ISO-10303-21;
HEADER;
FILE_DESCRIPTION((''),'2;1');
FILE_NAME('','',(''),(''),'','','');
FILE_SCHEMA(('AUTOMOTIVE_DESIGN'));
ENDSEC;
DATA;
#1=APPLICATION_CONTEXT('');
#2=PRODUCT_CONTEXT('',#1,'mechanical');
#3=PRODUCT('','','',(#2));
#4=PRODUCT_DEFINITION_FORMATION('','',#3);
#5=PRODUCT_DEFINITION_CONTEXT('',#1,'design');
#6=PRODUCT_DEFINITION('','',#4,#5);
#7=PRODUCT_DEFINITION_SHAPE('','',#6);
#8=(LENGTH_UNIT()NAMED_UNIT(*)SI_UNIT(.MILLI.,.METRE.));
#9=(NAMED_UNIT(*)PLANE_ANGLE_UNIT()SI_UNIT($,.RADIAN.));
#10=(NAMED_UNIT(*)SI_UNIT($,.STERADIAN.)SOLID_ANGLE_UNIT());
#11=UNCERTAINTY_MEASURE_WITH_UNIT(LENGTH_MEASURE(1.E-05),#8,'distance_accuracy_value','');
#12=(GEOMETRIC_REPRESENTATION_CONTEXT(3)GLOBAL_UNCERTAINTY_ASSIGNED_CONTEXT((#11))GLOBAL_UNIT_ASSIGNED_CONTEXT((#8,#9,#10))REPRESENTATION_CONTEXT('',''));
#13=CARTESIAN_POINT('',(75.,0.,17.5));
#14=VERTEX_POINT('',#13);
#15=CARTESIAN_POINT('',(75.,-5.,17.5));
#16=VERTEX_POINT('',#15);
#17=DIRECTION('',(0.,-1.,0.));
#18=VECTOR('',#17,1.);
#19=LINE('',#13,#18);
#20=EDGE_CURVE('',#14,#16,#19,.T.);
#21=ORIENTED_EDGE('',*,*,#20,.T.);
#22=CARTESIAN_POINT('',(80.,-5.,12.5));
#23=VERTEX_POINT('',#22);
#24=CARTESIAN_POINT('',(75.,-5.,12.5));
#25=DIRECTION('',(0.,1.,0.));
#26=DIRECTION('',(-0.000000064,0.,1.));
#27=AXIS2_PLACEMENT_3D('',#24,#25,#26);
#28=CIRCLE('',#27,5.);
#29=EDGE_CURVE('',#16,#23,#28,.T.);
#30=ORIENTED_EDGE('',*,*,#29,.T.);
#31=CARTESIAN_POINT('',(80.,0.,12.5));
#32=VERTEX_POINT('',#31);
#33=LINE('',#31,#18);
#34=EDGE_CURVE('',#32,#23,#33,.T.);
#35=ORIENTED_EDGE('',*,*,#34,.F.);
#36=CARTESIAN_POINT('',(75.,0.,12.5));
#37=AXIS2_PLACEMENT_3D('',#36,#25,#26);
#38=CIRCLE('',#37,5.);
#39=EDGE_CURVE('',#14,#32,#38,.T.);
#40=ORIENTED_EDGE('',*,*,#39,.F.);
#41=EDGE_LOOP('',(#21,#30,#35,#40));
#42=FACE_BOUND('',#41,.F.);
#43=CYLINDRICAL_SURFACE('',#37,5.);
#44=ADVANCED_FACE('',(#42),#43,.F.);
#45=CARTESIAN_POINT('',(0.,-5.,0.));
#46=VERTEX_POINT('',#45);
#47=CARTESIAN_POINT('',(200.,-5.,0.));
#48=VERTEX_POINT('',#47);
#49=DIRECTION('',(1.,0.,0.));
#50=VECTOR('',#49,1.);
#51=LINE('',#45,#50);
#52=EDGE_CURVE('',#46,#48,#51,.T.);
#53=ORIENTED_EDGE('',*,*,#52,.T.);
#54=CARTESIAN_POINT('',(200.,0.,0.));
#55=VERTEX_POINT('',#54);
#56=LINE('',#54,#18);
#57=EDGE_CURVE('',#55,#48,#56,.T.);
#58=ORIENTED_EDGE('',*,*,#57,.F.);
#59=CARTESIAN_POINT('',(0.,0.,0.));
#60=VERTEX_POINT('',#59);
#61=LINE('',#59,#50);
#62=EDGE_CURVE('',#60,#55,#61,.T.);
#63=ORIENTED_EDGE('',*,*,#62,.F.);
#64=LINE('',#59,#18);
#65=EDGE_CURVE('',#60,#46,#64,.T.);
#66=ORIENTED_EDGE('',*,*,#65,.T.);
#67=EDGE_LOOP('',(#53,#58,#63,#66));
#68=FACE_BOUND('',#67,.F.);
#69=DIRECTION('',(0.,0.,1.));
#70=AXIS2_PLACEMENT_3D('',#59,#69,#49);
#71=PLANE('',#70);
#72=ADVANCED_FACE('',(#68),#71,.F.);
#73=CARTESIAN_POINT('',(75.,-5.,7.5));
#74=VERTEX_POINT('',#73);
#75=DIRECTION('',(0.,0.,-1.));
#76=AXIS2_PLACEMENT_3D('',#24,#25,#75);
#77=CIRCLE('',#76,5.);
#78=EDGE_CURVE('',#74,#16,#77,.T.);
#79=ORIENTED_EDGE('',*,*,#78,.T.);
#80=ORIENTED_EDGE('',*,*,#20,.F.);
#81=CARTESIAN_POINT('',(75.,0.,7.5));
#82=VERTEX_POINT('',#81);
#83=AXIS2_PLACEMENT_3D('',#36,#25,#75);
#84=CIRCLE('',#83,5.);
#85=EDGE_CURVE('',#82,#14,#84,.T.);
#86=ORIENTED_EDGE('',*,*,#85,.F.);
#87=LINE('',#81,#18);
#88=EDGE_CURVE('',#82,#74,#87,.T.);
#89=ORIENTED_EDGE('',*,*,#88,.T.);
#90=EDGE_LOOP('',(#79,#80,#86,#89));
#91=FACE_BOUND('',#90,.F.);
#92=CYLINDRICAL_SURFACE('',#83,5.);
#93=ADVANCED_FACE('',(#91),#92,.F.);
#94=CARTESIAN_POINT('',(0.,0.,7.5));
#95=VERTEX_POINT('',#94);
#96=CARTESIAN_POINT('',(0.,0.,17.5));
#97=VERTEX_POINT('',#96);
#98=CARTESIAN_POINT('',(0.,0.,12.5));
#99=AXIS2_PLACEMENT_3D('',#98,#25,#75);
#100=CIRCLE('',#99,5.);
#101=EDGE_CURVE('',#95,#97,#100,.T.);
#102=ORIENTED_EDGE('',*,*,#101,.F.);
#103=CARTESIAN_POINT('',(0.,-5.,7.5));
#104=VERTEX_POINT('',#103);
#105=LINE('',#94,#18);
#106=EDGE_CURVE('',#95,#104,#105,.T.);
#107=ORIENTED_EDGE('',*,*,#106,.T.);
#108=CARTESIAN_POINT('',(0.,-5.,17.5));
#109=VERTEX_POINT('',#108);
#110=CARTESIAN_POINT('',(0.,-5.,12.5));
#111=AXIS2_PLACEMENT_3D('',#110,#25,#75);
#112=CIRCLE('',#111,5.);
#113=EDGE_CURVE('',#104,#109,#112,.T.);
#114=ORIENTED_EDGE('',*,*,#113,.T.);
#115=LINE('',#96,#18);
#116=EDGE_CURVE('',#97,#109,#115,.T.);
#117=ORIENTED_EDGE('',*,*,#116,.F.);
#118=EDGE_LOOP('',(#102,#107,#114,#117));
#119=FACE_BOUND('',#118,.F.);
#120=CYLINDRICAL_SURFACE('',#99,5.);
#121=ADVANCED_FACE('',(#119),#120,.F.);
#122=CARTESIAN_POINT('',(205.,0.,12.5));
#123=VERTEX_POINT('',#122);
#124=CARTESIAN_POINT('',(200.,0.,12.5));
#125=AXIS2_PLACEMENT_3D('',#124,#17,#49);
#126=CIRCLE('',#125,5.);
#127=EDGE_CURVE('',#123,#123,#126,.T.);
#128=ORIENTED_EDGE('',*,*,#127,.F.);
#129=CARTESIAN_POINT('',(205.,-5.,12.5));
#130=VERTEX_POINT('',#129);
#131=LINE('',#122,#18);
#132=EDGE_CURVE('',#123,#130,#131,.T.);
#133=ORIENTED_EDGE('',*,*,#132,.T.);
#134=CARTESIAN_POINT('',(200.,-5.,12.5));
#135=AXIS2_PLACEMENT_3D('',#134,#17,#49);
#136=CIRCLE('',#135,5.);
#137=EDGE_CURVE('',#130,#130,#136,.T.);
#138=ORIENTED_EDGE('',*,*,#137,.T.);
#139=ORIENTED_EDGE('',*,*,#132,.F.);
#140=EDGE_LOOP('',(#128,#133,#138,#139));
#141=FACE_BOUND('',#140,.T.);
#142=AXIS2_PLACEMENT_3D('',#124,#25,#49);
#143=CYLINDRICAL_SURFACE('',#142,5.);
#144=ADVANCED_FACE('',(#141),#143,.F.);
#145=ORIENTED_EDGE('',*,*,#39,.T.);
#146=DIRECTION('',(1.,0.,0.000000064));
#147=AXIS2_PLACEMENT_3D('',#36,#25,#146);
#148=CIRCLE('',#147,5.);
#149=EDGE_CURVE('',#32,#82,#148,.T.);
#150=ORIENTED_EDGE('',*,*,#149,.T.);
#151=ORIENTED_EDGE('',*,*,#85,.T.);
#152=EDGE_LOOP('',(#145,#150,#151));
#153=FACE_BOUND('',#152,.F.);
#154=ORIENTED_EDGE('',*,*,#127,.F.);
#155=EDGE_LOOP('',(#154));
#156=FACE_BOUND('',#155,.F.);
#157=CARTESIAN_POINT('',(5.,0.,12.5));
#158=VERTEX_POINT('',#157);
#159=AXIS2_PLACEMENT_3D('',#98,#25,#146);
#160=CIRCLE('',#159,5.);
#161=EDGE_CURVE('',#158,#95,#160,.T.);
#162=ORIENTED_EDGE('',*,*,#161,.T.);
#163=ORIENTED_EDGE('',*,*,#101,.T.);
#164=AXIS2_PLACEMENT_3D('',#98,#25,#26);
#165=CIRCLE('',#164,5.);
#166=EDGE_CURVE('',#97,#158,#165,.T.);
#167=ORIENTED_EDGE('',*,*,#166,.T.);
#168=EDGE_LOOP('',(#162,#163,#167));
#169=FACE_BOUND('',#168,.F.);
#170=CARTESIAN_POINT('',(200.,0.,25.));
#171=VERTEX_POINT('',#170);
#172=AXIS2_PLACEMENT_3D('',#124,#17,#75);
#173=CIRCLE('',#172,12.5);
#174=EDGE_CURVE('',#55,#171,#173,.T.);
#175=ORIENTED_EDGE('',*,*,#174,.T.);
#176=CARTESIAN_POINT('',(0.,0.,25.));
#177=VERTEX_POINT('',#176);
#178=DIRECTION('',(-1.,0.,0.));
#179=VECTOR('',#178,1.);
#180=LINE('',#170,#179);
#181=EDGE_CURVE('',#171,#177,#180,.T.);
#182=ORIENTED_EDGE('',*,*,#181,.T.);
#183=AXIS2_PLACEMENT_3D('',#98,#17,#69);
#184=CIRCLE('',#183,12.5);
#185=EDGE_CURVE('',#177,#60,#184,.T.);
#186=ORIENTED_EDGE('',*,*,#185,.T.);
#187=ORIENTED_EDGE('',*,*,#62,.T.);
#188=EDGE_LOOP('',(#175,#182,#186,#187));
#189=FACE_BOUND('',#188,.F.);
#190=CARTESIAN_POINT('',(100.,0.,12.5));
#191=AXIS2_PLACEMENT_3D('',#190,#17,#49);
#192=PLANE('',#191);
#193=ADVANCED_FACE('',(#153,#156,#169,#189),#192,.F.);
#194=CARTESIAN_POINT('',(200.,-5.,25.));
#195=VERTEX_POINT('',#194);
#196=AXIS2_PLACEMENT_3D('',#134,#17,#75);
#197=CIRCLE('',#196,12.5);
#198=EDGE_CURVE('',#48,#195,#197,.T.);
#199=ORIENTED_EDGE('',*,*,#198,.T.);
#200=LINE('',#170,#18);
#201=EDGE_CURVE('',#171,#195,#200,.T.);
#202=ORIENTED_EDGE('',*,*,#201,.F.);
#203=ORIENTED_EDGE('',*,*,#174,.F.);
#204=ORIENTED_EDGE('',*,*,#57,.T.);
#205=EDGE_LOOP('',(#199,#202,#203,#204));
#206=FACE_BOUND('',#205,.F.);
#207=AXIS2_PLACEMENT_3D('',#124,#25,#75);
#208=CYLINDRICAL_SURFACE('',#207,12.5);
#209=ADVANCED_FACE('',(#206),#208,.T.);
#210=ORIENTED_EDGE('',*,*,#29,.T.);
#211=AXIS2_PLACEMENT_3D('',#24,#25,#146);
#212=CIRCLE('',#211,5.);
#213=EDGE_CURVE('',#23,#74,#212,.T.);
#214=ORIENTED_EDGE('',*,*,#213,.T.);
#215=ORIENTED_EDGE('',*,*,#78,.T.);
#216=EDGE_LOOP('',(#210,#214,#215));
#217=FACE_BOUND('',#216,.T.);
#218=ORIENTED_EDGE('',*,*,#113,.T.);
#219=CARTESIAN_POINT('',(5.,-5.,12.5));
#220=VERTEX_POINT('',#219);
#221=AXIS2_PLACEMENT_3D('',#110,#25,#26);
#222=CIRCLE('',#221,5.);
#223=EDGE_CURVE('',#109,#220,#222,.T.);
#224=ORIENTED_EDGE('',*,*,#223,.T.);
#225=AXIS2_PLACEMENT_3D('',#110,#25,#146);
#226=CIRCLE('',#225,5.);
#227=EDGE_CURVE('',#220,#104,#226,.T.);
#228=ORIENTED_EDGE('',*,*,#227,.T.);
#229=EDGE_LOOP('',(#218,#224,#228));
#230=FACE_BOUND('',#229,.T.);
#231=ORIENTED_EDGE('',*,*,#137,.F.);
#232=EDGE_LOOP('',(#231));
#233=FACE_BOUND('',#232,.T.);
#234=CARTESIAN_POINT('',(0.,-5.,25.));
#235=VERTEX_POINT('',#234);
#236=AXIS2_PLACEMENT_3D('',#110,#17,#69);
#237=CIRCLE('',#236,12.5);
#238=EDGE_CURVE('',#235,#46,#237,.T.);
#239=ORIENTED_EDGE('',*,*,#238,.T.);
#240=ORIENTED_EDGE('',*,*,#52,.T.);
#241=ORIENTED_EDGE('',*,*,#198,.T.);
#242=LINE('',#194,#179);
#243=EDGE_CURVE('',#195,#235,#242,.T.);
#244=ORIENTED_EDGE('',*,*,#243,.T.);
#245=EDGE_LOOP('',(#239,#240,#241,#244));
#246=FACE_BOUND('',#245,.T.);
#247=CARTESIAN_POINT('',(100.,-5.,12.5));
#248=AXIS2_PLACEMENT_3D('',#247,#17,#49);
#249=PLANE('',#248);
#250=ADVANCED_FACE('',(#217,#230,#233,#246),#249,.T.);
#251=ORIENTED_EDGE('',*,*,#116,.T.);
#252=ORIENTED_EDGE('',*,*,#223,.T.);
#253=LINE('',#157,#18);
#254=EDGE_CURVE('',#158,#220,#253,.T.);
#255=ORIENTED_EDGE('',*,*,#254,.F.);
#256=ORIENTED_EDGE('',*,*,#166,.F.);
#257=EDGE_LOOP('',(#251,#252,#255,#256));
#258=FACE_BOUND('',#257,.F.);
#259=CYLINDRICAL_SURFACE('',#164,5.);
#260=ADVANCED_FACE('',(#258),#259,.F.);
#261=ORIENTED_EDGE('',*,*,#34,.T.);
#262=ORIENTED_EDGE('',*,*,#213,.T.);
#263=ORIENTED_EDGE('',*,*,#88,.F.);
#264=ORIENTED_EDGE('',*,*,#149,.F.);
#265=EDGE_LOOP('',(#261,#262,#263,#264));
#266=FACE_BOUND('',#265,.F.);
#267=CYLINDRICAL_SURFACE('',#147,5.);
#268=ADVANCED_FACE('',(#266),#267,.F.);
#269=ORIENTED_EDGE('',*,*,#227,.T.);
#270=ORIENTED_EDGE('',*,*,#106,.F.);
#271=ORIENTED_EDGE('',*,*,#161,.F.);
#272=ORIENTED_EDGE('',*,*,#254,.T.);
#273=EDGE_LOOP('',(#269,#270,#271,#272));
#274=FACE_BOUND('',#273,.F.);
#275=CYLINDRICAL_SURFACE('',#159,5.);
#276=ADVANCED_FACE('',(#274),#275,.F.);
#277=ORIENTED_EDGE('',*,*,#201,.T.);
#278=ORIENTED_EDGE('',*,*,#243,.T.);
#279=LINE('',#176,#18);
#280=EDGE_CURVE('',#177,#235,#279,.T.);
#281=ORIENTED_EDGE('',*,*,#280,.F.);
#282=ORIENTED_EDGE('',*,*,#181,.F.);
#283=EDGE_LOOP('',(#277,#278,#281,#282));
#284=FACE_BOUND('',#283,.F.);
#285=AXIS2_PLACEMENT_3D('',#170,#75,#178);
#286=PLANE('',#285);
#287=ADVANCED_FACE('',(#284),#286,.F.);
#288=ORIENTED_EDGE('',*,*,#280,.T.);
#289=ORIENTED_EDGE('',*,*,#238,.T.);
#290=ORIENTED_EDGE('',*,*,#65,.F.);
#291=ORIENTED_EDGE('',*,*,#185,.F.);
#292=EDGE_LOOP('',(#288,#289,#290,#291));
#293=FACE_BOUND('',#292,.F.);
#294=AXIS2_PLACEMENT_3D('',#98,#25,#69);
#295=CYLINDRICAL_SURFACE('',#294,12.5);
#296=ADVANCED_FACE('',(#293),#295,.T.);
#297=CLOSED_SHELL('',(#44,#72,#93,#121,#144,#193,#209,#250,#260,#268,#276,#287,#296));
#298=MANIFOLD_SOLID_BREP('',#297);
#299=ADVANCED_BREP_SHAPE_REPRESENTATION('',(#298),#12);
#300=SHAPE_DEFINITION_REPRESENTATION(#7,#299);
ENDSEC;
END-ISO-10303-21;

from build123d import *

# Parameters (mm, degrees)
F0_R     = 5
F1_DEPTH = 5


with BuildPart() as f1:
    # F0 (on Front) → F1 (new body)
    with BuildSketch(Plane.XZ):
        with BuildLine():
            ThreePointArc((0, 25), (-12.5, 12.5), (0, 0))
            Line((0, 0), (200, 0))
            ThreePointArc((200, 0), (212.5, 12.5), (200, 25))
            Line((200, 25), (0, 25))
        make_face()
        with BuildLine():
            ThreePointArc((0, 7.5), (-5, 12.5), (0, 17.5))
            ThreePointArc((0, 17.5), (3.535534, 16.035534), (5, 12.5))
            ThreePointArc((5, 12.5), (3.535534, 8.964466), (0, 7.5))
        make_face(mode=Mode.SUBTRACT)
        with BuildLine():
            ThreePointArc((80, 12.5), (78.535534, 8.964466), (75, 7.5))
            ThreePointArc((75, 7.5), (70, 12.5), (75, 17.5))
            ThreePointArc((75, 17.5), (78.535534, 16.035534), (80, 12.5))
        make_face(mode=Mode.SUBTRACT)
        with Locations((200, 12.5)):
            Circle(F0_R, mode=Mode.SUBTRACT)
    extrude(amount=F1_DEPTH)


solid = f1.part
